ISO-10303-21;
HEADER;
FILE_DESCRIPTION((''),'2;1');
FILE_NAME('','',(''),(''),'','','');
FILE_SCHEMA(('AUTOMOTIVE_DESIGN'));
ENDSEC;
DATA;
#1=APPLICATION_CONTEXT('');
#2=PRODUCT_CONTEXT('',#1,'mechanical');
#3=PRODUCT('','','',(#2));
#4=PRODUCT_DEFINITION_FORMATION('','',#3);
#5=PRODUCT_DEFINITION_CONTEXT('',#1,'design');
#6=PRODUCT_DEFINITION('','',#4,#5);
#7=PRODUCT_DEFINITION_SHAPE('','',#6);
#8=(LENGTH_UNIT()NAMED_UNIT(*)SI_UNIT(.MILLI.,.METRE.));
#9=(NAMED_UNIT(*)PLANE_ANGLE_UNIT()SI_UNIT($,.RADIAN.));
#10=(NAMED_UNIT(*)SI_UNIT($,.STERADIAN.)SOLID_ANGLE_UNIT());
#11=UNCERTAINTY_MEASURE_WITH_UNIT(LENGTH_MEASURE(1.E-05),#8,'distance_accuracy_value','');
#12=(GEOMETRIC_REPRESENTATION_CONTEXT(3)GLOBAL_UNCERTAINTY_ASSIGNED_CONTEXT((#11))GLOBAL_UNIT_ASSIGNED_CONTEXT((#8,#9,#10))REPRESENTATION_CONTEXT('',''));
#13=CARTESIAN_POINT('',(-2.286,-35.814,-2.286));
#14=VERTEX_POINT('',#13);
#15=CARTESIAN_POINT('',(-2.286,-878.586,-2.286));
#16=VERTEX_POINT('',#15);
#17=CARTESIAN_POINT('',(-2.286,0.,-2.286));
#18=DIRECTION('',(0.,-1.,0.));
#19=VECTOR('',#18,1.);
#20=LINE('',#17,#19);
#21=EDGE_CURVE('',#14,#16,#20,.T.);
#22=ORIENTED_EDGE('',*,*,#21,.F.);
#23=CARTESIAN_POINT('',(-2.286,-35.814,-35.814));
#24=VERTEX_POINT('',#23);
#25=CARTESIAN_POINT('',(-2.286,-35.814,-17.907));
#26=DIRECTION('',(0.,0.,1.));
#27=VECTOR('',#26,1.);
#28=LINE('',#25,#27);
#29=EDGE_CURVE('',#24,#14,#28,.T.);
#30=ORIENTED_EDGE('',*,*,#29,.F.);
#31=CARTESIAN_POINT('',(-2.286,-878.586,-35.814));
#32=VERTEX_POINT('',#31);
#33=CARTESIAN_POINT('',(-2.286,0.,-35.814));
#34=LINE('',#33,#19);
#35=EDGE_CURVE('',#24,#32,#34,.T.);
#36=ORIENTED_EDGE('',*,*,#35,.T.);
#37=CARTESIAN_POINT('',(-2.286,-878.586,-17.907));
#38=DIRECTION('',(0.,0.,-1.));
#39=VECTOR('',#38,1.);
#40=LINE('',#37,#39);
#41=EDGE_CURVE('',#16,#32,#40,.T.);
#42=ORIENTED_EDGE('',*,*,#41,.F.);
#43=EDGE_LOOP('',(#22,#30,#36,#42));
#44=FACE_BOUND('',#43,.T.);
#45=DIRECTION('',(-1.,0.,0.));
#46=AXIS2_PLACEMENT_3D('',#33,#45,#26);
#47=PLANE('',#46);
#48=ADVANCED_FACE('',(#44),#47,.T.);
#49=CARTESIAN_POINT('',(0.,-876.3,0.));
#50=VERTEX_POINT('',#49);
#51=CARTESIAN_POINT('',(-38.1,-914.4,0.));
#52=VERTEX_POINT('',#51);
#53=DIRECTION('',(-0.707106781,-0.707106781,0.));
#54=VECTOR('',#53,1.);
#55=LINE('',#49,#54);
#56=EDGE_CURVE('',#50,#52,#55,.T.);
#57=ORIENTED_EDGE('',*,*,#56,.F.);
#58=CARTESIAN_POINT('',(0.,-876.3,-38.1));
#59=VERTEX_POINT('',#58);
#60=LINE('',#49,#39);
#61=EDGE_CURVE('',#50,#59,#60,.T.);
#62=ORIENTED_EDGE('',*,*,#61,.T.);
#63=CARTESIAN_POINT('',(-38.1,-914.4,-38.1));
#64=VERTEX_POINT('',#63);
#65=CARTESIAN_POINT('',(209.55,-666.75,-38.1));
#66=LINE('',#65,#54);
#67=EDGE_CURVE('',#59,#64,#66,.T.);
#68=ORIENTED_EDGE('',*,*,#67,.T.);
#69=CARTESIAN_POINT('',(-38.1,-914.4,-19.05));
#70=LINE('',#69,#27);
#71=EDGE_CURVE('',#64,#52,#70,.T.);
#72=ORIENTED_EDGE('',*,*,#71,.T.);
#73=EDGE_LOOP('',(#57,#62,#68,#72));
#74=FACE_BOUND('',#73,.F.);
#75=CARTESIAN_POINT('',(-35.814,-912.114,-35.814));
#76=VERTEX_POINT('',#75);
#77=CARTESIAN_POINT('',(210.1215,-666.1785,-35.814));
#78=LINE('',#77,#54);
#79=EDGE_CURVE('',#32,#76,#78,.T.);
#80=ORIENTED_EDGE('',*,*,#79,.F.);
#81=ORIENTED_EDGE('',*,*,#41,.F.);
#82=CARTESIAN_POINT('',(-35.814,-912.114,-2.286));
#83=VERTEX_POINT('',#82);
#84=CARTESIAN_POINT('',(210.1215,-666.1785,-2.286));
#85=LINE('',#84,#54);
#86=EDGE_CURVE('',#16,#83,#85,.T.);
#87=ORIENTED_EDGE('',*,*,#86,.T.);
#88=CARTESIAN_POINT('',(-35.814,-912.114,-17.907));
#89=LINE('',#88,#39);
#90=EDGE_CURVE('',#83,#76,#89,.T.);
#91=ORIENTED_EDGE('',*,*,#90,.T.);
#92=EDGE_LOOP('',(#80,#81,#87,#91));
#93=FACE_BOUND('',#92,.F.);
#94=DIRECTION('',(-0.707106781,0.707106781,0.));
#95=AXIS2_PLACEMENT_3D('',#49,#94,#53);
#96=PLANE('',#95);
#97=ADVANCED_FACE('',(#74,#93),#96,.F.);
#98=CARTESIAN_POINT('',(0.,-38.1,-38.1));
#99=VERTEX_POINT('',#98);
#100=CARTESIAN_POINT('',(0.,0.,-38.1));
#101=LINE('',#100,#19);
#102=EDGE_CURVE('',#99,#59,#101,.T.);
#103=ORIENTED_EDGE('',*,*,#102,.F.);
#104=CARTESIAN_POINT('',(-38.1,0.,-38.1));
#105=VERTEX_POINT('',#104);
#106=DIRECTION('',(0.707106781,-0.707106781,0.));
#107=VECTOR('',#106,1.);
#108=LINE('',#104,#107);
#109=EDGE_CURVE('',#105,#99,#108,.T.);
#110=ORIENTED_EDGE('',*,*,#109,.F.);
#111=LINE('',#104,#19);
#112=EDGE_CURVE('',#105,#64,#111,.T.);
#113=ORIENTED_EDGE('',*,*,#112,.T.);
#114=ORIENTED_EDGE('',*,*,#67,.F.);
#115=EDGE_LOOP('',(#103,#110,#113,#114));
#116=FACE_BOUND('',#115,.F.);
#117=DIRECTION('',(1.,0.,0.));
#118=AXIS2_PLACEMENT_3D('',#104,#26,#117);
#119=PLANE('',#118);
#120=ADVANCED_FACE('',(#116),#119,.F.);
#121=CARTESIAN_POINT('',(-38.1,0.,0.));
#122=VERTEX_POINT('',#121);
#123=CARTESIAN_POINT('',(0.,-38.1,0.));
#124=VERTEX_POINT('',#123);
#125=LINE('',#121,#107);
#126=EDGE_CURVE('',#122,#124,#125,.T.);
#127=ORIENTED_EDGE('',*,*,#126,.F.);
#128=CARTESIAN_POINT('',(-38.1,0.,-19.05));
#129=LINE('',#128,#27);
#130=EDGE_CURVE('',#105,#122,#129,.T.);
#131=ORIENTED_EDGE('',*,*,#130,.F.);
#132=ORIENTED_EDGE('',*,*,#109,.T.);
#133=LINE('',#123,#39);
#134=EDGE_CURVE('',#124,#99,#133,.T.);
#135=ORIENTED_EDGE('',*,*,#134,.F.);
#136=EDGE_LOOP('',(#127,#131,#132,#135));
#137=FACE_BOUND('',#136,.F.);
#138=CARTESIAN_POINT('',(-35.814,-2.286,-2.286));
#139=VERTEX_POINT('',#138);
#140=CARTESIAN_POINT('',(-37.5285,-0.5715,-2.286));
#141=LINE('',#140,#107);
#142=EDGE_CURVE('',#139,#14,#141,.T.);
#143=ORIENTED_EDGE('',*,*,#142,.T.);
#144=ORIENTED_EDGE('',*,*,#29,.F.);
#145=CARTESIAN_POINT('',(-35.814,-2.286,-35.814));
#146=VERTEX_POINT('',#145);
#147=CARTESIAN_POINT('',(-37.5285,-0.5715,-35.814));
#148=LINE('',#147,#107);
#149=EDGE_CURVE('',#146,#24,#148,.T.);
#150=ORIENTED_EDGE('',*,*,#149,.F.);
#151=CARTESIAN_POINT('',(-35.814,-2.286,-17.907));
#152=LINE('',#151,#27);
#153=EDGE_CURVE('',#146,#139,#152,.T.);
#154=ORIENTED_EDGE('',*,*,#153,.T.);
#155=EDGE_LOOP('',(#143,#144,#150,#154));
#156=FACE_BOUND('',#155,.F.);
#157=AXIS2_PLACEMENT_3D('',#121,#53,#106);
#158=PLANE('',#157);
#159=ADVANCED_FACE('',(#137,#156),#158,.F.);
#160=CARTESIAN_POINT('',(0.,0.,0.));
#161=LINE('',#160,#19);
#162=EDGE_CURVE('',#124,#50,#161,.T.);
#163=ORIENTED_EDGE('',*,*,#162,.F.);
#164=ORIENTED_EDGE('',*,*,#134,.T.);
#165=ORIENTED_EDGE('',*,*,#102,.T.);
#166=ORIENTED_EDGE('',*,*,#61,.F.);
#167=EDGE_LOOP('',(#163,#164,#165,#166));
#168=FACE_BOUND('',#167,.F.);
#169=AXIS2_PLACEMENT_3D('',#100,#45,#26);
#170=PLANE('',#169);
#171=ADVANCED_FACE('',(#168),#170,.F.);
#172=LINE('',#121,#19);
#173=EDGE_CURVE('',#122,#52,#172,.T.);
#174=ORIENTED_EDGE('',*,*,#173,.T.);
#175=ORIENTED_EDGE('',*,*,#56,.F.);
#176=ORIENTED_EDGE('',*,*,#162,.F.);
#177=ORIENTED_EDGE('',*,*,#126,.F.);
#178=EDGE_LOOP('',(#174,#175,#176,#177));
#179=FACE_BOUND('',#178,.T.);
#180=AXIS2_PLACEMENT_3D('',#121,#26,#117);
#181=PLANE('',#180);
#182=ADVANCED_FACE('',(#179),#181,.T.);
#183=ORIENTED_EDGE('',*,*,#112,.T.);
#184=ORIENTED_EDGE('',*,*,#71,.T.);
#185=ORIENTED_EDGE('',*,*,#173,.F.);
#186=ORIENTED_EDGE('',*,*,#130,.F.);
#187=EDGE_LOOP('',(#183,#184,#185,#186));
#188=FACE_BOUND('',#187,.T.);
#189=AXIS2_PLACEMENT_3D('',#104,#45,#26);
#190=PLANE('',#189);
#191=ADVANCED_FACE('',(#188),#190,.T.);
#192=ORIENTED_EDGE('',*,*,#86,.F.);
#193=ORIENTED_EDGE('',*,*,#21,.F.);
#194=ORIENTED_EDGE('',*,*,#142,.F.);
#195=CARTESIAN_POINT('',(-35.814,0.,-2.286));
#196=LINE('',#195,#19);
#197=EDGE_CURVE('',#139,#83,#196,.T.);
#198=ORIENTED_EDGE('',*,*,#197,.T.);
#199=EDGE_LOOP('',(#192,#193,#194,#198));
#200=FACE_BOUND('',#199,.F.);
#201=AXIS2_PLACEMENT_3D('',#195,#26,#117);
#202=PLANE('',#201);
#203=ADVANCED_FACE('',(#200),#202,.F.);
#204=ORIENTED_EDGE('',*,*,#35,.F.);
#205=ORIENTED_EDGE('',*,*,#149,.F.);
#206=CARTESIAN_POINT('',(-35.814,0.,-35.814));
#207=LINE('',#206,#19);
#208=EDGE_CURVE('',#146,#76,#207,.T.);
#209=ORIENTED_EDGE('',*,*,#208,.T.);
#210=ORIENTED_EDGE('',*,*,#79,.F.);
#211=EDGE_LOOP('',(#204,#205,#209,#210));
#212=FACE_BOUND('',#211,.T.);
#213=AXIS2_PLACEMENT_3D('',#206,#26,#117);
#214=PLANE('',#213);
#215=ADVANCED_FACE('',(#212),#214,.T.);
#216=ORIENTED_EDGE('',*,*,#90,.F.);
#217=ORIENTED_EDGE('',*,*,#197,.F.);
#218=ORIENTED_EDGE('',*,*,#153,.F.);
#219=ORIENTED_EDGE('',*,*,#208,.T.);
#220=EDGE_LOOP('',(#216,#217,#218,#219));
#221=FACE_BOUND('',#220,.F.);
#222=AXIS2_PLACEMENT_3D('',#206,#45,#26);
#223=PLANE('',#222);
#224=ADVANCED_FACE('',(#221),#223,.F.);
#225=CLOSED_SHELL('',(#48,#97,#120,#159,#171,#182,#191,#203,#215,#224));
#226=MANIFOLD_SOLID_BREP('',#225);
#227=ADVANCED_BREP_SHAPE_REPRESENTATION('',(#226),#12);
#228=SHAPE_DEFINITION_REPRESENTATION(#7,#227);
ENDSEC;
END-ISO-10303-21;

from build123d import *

# Parameters (mm, degrees)
F0_W     = 38.1
F0_H     = 38.1
F0_W_2   = 33.528
F0_H_2   = 33.528
F1_DEPTH = 914.4
F3_DEPTH = 50.8


with BuildPart() as f1:
    # F0 (on Front) → F1 (new body)
    with BuildSketch(Plane.XZ):
        with Locations((-19.05, -19.05)):
            Rectangle(F0_W, F0_H)
        with Locations((-19.05, -19.05)):
            Rectangle(F0_W_2, F0_H_2, mode=Mode.SUBTRACT)
    extrude(amount=F1_DEPTH)

    # F2 (on face) → F3 (cut)
    with BuildSketch(Plane.XY):
        Polygon((0, -876.3), (-38.1, -914.4), (0, -914.4), align=None)
        Polygon((0, 0), (-38.1, 0), (0, -38.1), align=None)
    extrude(amount=-F3_DEPTH, mode=Mode.SUBTRACT)


solid = f1.part
